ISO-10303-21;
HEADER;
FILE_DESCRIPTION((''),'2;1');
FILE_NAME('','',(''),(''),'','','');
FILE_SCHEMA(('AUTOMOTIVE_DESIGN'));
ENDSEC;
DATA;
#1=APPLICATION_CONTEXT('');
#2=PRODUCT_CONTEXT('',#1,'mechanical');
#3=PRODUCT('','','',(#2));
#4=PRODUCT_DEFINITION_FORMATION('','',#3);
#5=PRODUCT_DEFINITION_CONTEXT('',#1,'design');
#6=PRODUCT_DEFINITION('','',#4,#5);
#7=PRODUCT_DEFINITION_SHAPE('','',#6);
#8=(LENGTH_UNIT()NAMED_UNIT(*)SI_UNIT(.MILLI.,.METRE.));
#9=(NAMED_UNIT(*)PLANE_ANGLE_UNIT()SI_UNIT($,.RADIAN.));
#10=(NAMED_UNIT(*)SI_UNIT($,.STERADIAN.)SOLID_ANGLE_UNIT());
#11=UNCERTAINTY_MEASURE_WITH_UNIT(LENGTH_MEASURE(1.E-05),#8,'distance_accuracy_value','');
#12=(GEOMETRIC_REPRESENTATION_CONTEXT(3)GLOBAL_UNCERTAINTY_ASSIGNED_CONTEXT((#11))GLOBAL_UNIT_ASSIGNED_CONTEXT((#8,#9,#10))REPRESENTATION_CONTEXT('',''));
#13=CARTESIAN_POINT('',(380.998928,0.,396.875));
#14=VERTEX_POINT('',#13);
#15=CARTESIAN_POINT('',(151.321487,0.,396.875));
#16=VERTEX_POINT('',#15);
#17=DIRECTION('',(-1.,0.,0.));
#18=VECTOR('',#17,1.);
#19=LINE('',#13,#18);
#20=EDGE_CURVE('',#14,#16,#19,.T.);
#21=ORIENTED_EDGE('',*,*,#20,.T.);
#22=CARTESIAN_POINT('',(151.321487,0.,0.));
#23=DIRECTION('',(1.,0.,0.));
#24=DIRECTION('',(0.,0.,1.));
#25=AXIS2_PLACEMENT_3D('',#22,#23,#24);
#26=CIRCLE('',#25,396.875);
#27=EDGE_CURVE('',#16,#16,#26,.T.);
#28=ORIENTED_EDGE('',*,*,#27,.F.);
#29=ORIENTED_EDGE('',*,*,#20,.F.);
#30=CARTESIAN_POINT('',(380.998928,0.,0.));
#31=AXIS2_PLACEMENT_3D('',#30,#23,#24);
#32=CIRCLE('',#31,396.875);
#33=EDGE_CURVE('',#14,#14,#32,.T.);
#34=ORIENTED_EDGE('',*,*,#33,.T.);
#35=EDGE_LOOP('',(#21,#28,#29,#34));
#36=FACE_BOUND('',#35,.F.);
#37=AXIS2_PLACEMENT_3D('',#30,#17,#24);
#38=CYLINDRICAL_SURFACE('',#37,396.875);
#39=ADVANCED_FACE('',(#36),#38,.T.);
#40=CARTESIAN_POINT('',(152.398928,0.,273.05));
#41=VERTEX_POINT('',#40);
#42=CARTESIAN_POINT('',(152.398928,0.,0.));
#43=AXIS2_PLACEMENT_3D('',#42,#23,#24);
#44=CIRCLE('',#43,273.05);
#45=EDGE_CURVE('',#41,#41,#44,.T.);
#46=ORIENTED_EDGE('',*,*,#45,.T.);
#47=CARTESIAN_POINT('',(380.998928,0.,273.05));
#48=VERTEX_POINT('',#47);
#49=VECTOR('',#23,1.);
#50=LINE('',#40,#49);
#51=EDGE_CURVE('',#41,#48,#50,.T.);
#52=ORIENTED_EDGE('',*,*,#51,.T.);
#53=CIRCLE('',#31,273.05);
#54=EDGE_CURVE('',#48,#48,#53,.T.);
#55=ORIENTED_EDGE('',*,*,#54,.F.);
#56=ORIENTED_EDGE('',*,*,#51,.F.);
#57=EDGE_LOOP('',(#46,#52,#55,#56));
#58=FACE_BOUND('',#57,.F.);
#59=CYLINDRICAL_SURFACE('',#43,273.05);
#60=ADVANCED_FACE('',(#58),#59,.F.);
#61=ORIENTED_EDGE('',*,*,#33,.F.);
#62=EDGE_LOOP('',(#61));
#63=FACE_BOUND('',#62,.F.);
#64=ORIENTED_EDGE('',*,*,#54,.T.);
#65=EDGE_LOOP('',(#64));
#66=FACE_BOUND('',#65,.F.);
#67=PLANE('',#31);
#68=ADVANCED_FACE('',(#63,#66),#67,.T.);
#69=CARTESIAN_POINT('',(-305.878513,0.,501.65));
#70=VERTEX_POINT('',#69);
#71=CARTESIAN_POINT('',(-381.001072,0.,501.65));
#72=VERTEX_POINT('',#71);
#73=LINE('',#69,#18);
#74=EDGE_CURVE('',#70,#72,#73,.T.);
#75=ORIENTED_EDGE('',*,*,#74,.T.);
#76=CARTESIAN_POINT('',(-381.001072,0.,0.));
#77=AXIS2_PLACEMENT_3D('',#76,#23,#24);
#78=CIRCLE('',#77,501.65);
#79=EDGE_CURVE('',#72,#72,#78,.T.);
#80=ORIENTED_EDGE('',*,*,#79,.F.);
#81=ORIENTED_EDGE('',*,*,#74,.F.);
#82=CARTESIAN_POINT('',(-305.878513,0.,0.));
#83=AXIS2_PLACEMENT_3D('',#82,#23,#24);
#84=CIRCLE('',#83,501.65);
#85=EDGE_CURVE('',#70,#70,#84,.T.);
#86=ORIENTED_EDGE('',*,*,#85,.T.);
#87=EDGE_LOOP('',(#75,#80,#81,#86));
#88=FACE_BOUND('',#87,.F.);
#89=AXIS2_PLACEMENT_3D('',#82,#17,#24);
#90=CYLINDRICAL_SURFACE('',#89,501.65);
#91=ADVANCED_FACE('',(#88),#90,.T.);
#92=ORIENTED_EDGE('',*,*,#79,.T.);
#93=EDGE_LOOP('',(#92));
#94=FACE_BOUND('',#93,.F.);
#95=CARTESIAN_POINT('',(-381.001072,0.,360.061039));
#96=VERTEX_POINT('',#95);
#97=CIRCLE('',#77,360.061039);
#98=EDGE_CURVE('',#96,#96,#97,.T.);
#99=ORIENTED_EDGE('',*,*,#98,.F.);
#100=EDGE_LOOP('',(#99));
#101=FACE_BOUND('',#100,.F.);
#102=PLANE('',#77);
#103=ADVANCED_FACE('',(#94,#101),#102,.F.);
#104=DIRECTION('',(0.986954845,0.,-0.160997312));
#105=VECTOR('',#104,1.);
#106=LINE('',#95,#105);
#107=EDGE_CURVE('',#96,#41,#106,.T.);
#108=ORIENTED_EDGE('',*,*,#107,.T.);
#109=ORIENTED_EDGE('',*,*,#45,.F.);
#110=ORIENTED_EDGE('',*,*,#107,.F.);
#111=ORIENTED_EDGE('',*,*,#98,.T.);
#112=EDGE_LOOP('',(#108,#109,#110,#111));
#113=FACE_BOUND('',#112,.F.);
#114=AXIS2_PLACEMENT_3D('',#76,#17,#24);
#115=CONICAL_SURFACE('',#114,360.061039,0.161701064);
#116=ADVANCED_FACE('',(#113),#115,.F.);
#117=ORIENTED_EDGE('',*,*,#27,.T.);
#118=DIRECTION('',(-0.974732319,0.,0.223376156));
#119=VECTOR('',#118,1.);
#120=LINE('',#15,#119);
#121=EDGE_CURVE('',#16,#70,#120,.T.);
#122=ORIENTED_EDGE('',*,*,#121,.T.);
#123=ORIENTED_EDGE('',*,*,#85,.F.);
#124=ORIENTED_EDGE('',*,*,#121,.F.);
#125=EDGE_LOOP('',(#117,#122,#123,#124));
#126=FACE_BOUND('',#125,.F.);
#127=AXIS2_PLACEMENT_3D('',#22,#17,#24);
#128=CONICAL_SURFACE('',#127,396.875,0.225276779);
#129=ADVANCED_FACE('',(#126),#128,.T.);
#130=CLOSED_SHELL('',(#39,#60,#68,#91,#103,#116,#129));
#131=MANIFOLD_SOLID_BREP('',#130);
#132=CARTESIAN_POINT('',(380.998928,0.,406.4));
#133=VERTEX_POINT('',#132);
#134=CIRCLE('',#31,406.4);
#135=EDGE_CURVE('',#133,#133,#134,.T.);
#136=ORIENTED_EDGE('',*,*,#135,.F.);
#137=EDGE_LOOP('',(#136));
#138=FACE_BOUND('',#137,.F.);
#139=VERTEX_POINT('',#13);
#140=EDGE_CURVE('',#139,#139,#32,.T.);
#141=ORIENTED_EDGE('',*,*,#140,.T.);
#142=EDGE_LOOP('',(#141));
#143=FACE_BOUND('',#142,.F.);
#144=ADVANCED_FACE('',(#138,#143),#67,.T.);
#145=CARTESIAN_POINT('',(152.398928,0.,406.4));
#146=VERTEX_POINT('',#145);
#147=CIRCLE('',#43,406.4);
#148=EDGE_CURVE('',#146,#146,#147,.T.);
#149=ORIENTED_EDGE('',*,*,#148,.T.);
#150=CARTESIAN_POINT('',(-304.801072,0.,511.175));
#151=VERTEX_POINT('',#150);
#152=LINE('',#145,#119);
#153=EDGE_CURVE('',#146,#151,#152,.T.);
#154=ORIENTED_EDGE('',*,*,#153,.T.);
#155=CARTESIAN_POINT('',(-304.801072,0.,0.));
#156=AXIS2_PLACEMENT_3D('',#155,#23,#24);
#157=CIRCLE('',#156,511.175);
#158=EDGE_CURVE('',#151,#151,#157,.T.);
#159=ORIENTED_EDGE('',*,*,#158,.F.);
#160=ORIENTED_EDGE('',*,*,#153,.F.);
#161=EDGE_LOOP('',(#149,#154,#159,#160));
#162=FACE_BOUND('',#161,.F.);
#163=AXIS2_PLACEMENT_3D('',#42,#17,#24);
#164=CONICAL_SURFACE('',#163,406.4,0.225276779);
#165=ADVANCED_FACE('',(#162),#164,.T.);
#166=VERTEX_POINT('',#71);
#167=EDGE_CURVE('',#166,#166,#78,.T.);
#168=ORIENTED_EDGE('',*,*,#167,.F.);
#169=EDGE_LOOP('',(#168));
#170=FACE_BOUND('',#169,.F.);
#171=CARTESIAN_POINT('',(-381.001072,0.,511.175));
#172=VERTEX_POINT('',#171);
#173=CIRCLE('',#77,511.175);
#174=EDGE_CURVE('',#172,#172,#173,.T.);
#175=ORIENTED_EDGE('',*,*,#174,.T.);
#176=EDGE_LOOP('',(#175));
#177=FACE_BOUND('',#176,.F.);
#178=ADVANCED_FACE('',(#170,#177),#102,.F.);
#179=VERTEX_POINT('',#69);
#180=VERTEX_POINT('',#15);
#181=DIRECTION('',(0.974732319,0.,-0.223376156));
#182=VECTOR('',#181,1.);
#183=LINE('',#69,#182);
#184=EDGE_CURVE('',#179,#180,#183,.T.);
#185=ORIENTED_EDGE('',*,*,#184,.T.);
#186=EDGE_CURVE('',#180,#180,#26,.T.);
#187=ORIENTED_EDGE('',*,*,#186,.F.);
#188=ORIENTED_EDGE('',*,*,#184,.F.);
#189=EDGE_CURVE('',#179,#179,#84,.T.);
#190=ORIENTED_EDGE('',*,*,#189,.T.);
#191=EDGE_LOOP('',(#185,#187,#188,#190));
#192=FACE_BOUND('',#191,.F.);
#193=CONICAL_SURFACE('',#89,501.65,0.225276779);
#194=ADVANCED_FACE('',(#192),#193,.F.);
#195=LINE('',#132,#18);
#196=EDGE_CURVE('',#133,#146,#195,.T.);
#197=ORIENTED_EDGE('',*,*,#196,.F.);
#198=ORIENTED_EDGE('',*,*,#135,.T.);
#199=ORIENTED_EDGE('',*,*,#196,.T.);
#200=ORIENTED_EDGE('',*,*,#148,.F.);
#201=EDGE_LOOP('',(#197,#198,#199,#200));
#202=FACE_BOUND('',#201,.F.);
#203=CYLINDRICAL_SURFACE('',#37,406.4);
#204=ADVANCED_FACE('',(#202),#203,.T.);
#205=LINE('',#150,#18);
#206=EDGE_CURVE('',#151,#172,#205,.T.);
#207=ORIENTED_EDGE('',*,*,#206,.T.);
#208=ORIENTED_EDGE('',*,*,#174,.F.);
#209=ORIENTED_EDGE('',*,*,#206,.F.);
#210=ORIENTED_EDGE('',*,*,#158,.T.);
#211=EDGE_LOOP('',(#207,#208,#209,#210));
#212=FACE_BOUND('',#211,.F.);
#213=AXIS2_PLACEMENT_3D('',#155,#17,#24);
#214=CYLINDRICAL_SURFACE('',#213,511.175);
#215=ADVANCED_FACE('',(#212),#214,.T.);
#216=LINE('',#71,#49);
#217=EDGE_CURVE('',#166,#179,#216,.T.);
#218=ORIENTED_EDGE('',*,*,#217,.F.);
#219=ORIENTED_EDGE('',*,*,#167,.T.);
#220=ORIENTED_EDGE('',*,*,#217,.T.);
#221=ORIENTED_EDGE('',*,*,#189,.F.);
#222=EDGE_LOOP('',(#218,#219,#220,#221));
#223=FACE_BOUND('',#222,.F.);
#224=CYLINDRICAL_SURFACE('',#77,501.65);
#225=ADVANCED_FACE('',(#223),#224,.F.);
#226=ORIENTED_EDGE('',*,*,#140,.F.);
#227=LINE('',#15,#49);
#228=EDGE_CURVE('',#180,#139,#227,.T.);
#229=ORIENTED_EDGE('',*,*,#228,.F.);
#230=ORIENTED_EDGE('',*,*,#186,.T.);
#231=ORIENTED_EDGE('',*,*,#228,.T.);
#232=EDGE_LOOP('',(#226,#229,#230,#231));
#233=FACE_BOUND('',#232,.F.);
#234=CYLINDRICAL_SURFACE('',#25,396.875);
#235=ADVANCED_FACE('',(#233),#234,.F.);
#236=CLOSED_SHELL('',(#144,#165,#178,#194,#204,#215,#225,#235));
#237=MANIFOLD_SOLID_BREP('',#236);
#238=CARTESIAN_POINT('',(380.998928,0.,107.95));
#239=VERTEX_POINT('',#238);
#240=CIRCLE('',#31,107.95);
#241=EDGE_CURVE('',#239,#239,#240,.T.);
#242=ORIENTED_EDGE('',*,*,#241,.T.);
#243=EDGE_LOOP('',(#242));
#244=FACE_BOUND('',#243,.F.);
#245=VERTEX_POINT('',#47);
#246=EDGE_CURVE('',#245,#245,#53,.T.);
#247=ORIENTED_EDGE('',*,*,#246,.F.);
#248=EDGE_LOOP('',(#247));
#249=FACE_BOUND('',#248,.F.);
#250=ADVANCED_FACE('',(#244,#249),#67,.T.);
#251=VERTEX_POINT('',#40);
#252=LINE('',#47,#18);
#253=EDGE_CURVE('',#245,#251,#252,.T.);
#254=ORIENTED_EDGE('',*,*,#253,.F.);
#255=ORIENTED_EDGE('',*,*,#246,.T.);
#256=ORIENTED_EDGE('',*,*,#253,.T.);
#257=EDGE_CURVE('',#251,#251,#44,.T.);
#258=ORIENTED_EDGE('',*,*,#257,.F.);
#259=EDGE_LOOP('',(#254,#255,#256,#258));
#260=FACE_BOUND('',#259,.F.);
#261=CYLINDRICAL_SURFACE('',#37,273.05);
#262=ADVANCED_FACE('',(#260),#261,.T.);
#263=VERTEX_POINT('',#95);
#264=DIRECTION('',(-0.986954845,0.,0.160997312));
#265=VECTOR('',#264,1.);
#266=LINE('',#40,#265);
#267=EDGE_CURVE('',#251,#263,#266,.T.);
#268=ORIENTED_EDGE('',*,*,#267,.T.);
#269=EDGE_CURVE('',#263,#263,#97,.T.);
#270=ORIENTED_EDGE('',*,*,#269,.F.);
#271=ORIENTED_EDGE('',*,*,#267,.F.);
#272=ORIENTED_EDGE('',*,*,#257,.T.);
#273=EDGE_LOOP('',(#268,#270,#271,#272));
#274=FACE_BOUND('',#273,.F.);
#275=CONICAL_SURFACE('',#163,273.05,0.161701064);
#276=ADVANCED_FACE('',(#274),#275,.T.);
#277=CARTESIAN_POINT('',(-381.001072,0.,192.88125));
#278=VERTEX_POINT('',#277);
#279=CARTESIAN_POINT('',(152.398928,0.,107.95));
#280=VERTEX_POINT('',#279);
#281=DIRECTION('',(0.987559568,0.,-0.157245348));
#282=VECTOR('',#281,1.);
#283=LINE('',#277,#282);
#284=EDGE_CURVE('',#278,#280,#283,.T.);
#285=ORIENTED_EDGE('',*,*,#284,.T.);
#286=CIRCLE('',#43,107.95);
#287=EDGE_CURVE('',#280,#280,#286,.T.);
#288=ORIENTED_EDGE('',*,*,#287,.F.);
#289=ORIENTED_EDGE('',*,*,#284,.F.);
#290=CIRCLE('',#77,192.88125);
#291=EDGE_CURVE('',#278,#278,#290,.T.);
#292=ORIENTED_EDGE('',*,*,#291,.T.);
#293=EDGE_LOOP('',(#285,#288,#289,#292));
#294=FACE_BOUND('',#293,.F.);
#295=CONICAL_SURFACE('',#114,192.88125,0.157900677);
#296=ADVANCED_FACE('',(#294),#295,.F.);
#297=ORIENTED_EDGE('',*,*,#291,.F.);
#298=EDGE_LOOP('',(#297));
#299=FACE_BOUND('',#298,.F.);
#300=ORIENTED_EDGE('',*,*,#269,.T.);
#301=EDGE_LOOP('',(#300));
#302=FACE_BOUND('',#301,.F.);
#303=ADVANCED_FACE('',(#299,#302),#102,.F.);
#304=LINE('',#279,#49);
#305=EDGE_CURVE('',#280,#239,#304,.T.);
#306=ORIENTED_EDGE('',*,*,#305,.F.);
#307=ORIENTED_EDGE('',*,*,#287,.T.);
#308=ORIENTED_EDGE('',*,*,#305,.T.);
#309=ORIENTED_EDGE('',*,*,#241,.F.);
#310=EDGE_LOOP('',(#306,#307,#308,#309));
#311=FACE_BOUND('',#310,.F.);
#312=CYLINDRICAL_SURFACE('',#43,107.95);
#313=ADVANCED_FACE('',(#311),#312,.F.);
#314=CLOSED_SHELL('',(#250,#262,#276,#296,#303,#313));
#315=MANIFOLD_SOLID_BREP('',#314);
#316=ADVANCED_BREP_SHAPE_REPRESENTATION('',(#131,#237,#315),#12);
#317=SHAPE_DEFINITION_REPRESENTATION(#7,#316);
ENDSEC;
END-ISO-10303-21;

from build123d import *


with BuildPart() as f1:
    # F0 (on Front) → F1 (revolve)
    with BuildSketch(Plane.XZ):
        Polygon((152.398928, 273.05), (-381.001072, 360.061039), (-381.001072, 192.88125), (152.398928, 107.95), (380.998928, 107.95), (380.998928, 273.05), align=None)
    revolve(axis=Axis((-0.001072, 0, 0), (1, 0, 0)))


with BuildPart() as f2:
    # F0 (on Front) → F2 (revolve)
    with BuildSketch(Plane.XZ):
        Polygon((-305.878513, 501.65), (-381.001072, 501.65), (-381.001072, 360.061039), (152.398928, 273.05), (380.998928, 273.05), (380.998928, 396.875), (151.321487, 396.875), align=None)
    revolve(axis=Axis((-0.001072, 0, 0), (1, 0, 0)))


with BuildPart() as f3:
    # F0 (on Front) → F3 (revolve)
    with BuildSketch(Plane.XZ):
        Polygon((-304.801072, 511.175), (-381.001072, 511.175), (-381.001072, 501.65), (-305.878513, 501.65), (151.321487, 396.875), (380.998928, 396.875), (380.998928, 406.4), (152.398928, 406.4), align=None)
    revolve(axis=Axis((-0.001072, 0, 0), (1, 0, 0)))


solid = Compound([f1.part, f2.part, f3.part])
